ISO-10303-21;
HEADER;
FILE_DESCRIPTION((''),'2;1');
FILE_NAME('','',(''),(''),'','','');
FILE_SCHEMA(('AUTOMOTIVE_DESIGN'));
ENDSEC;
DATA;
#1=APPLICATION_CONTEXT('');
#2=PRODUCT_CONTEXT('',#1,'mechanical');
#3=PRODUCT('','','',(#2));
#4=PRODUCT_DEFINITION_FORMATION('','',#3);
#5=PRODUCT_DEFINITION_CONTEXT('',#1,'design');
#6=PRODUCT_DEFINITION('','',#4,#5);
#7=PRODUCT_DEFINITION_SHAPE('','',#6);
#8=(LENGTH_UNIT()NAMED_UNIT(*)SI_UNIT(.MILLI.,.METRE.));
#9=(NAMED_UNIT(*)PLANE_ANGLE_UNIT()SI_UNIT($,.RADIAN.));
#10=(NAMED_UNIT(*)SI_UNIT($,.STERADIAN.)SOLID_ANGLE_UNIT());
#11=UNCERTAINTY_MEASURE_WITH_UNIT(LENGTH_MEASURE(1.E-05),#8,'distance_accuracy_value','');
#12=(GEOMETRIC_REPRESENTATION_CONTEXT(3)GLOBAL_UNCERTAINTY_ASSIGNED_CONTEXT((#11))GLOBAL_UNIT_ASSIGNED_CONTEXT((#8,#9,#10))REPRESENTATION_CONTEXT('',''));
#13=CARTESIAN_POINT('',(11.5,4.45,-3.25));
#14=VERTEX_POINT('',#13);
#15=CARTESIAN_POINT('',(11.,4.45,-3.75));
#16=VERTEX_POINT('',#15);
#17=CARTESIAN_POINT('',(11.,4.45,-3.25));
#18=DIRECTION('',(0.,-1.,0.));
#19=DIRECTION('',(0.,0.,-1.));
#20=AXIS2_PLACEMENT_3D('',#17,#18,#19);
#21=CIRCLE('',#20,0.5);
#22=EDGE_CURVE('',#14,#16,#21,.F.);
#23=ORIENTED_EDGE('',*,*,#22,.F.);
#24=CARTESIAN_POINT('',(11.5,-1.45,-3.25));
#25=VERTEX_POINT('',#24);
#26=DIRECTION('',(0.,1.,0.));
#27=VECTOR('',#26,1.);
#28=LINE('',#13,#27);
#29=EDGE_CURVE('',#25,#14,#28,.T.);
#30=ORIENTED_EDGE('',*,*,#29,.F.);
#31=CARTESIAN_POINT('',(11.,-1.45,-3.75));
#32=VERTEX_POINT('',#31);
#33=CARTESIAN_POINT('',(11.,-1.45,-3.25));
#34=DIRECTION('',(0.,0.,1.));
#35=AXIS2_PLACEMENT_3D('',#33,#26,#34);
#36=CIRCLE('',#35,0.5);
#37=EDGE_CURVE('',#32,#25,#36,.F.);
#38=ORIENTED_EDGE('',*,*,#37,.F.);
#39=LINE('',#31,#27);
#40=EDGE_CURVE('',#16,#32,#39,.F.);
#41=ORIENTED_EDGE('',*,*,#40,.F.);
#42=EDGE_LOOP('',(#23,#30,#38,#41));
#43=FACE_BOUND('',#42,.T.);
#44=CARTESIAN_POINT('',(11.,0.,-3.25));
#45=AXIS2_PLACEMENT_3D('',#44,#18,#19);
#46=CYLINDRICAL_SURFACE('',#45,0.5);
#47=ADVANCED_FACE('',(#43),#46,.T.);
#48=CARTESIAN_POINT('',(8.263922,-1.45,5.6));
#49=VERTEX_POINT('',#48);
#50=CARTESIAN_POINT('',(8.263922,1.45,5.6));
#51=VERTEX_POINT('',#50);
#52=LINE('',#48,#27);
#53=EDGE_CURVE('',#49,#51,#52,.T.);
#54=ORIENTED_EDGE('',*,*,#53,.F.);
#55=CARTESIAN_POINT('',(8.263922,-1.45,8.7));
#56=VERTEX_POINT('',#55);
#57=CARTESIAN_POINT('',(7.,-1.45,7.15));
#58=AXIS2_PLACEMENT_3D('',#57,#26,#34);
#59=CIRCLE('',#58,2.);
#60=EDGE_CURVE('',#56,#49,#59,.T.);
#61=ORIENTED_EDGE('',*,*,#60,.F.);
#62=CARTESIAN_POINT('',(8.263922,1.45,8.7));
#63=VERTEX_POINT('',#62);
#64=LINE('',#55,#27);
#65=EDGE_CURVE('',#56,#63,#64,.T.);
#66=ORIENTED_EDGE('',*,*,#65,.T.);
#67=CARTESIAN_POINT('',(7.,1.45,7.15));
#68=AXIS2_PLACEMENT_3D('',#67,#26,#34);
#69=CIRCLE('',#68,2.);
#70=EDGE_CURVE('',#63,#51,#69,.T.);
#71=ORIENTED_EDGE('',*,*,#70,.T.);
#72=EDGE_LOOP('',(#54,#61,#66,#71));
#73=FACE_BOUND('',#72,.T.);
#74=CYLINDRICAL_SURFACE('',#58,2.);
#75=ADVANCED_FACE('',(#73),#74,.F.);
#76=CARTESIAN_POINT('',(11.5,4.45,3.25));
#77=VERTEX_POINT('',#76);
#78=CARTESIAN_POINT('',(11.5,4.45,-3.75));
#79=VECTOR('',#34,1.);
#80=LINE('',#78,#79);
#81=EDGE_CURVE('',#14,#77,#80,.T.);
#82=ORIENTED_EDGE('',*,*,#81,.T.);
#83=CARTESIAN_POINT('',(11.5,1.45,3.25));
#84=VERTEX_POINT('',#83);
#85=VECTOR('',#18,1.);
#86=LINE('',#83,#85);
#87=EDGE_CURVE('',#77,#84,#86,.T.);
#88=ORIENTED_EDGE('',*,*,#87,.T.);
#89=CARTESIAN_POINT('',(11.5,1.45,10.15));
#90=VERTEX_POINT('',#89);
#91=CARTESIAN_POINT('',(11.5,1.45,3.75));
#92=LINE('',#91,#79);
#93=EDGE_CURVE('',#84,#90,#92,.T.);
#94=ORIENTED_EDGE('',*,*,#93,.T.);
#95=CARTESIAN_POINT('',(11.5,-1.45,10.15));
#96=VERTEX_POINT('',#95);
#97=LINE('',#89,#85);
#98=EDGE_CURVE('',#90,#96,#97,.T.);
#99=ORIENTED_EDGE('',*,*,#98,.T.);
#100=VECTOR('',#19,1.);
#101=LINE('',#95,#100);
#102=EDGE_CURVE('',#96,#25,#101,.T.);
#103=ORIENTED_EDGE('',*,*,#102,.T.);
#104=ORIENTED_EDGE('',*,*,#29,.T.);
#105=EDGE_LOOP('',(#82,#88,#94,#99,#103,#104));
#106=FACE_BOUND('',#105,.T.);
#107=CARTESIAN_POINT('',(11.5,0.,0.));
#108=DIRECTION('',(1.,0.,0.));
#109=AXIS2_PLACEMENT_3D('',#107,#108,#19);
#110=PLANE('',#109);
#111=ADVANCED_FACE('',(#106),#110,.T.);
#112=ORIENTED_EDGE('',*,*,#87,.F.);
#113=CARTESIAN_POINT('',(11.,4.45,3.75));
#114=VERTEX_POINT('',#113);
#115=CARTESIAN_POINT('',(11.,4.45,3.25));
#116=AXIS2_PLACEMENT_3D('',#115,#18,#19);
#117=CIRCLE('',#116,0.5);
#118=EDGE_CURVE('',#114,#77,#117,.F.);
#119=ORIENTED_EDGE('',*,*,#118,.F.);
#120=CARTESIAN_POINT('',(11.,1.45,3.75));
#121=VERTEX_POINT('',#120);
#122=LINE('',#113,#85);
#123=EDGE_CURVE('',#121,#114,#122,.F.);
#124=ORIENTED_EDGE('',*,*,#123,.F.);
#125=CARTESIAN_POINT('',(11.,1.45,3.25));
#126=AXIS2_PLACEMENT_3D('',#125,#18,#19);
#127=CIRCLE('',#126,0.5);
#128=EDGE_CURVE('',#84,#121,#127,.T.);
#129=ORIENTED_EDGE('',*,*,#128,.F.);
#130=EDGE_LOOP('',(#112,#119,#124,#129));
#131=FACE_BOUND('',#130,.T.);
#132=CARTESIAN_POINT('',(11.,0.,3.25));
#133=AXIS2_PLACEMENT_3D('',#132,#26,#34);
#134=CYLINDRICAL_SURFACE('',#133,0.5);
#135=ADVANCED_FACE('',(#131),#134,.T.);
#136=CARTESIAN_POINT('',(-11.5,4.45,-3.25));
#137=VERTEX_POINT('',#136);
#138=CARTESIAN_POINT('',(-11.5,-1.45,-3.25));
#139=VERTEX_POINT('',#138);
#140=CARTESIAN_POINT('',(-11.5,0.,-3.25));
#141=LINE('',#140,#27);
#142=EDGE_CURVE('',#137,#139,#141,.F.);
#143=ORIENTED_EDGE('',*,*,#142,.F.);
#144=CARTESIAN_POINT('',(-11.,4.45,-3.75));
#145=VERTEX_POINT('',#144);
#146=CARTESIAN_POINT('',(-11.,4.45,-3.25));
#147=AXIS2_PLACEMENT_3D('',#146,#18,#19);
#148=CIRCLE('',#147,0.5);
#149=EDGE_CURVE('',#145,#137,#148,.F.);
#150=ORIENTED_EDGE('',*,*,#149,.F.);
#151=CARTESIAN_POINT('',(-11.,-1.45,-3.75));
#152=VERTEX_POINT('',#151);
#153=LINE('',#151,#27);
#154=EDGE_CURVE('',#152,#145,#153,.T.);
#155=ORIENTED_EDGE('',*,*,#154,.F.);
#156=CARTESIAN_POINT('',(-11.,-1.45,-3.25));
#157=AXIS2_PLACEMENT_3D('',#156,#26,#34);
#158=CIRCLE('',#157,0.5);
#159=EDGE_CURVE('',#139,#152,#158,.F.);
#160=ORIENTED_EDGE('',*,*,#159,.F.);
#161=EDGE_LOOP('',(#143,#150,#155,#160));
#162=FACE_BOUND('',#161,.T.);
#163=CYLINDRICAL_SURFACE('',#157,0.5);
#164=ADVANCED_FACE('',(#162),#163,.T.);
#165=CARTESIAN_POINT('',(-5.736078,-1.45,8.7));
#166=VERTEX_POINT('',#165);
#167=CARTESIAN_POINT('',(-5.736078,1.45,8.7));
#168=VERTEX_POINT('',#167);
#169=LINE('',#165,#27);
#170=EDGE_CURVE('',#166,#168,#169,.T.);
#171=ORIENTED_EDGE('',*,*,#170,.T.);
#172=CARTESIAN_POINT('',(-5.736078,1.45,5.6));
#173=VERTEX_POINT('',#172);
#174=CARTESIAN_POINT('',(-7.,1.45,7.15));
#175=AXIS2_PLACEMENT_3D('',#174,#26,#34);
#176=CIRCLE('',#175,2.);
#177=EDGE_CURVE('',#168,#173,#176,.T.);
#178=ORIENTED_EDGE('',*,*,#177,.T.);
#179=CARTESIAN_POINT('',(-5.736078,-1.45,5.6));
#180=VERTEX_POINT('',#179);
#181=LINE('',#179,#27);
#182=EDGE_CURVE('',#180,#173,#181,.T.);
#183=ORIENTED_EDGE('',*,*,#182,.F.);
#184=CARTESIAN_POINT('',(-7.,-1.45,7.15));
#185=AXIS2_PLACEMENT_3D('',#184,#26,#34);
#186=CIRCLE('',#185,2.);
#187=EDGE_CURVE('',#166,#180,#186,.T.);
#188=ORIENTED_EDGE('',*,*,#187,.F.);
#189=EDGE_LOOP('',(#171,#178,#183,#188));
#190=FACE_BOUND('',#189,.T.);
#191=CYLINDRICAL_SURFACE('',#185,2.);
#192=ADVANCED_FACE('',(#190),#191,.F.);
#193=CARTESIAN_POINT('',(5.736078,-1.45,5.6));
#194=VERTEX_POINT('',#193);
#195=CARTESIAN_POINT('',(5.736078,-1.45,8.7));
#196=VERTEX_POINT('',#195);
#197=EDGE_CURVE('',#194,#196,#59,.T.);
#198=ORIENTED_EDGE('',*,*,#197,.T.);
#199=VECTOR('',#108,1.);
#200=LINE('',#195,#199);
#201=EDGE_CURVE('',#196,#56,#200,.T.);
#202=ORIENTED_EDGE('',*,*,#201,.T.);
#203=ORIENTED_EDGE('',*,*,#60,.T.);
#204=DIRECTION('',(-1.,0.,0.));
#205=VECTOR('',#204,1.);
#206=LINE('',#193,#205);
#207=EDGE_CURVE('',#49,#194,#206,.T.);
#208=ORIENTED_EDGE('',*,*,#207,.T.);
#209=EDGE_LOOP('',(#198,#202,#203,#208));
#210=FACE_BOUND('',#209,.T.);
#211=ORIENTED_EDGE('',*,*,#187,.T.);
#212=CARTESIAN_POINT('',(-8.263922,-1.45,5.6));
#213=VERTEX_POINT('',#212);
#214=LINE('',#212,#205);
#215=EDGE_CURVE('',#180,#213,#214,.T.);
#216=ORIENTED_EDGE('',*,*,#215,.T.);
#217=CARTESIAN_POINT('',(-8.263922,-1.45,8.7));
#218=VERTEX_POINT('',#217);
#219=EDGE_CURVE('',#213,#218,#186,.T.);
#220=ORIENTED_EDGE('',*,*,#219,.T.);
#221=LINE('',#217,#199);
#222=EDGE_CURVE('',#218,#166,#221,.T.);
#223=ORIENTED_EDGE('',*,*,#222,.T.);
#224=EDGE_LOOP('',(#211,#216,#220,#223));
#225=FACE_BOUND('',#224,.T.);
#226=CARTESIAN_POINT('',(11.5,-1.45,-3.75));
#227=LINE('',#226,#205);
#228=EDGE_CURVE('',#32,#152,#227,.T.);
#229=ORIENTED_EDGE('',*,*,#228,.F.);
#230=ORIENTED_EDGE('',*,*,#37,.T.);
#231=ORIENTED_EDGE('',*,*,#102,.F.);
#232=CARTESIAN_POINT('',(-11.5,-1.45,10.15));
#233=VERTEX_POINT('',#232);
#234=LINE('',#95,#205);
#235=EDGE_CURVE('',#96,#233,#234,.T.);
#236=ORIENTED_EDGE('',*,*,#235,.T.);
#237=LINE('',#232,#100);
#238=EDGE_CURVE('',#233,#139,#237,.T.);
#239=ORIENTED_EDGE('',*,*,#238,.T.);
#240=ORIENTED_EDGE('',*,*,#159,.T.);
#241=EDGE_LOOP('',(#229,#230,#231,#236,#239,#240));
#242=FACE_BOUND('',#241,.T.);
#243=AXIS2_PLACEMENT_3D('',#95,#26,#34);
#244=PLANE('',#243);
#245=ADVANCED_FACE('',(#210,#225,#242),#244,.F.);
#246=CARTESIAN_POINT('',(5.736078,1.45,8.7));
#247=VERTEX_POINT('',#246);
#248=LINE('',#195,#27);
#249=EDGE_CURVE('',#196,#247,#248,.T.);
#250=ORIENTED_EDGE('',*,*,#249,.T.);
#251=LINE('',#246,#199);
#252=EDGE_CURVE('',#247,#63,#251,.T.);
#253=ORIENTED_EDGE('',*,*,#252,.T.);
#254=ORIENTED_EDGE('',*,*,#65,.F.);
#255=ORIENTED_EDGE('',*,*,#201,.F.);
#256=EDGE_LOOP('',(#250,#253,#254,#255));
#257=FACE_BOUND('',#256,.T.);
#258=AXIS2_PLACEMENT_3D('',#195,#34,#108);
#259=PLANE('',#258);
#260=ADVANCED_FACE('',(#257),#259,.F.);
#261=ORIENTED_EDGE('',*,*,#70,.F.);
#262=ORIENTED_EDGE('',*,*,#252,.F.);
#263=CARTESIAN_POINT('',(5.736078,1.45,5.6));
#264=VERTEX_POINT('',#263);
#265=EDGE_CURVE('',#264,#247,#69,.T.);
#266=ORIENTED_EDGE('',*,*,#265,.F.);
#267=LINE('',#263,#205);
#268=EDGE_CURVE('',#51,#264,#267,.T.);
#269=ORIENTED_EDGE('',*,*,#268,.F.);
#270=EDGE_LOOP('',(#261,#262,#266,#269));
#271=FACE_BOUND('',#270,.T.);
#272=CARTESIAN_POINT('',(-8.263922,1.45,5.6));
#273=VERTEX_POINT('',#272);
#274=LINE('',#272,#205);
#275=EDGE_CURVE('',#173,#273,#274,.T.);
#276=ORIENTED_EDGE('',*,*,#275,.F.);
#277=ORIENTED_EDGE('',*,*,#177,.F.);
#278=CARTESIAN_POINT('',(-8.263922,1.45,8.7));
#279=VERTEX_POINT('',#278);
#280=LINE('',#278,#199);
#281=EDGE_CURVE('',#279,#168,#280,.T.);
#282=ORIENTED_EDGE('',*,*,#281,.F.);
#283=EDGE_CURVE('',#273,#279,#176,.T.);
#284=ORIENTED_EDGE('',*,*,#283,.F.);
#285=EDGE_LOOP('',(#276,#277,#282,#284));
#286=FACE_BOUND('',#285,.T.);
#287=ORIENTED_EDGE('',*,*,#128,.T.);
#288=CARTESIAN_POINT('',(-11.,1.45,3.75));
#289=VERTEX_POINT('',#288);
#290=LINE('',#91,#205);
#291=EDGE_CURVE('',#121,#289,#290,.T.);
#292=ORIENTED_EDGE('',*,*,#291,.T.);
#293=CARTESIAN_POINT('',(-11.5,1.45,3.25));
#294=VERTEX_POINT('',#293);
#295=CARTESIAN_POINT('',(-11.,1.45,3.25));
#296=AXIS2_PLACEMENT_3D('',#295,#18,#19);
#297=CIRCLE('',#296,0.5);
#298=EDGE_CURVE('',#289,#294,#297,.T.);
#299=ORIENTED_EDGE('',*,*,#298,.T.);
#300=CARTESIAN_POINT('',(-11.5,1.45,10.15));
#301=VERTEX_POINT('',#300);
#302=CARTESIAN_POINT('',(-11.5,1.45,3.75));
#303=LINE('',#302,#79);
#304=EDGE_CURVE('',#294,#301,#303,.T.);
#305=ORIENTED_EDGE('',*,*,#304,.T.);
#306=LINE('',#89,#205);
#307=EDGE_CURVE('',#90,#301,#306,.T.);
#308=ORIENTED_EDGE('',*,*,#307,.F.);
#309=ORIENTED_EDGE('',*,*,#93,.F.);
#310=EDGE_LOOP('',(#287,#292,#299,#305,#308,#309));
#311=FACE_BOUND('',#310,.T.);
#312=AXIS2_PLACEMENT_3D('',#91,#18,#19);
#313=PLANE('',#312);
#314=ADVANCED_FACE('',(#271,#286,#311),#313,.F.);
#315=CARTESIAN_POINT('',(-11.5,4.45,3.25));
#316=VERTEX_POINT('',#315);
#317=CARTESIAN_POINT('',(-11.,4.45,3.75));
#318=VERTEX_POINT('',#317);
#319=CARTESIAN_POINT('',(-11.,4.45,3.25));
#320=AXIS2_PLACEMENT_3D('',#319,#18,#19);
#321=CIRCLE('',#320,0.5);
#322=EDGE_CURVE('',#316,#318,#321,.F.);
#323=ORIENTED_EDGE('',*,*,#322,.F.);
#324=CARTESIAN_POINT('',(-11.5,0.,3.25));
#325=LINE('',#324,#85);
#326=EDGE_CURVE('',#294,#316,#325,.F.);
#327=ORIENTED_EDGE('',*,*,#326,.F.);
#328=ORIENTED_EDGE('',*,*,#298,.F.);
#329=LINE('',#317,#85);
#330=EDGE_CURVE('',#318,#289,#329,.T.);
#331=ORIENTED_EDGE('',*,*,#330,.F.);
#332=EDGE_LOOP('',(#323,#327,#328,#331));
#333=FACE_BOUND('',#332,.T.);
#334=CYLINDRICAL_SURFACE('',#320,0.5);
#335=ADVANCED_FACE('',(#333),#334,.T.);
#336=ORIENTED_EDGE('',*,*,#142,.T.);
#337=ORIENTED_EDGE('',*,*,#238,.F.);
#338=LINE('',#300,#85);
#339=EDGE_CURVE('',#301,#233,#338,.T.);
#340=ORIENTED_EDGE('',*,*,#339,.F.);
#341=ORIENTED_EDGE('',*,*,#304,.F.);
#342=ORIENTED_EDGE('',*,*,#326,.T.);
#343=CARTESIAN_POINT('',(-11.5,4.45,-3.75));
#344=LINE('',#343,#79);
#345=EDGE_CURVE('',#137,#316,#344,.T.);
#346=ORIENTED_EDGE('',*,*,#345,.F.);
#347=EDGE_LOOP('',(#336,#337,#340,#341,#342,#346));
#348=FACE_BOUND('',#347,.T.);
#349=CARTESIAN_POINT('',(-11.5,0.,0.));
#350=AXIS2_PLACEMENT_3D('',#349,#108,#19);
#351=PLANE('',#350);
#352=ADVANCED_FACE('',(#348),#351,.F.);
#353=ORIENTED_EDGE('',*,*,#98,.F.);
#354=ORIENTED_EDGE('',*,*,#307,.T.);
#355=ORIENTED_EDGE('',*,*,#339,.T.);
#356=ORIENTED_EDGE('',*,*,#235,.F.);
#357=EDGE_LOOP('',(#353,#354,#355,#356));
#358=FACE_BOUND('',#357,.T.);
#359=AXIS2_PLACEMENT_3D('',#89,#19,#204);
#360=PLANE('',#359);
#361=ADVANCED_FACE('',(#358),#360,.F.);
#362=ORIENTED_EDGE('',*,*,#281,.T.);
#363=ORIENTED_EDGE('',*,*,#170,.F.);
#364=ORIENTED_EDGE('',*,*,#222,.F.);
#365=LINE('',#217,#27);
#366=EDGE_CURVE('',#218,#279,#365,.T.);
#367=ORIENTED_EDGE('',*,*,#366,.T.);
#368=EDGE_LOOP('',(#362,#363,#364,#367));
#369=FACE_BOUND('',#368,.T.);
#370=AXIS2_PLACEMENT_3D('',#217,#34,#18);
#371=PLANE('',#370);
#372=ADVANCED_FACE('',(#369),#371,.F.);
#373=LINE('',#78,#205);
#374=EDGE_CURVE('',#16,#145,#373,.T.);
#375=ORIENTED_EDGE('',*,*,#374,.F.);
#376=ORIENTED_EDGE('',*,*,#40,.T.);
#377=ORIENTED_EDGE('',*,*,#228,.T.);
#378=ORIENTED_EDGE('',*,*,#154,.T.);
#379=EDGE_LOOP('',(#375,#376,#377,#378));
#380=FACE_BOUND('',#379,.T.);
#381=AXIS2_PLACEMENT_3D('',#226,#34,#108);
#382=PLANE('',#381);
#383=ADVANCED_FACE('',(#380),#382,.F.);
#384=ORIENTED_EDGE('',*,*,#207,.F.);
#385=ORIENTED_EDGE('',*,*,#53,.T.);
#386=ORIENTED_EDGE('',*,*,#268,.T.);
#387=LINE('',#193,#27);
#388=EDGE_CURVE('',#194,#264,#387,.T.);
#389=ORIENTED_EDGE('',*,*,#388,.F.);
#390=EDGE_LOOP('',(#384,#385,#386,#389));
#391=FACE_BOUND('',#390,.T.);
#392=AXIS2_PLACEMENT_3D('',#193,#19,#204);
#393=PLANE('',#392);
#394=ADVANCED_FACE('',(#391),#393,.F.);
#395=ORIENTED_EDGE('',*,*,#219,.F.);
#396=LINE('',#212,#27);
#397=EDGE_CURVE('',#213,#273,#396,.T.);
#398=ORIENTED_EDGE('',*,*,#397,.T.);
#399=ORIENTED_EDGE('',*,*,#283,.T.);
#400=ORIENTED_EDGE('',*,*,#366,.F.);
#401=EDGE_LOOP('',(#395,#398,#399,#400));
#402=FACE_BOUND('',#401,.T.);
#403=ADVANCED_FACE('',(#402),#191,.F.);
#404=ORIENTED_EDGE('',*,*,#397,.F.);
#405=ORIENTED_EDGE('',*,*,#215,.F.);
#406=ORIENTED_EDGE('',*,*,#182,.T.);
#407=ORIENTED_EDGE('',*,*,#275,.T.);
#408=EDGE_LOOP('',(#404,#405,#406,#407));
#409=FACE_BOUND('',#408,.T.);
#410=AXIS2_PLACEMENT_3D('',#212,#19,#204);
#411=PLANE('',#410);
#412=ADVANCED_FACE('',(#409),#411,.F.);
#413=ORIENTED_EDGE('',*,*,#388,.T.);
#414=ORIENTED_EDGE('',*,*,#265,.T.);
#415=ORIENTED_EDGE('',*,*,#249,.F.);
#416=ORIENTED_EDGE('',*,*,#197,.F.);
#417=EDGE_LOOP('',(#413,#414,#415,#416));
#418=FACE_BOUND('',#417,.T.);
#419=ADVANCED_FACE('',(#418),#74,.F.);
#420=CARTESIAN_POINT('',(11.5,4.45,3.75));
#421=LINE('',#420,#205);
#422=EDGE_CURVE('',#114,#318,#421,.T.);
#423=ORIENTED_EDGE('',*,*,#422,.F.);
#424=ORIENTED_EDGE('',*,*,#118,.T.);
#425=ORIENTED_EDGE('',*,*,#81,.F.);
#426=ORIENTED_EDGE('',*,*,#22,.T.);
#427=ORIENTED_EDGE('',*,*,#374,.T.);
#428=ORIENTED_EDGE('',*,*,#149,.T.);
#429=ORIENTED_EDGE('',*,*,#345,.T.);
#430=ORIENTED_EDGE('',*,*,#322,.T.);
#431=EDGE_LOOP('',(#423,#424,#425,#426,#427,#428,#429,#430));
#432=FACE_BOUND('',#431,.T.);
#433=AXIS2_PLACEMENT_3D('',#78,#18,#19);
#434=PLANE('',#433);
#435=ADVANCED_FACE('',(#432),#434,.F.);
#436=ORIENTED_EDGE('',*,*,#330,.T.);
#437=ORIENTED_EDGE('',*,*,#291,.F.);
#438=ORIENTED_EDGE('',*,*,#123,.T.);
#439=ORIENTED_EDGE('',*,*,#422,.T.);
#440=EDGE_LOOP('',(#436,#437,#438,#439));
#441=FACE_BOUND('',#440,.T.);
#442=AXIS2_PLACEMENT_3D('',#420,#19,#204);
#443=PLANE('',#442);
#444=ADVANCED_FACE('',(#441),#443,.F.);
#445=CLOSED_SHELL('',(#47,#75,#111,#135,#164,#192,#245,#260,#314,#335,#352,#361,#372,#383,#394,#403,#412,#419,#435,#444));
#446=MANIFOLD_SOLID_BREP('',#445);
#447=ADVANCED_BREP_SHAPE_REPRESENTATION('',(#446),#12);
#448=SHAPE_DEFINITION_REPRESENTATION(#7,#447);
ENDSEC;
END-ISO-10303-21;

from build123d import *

# Parameters (mm, degrees)
BOSS_EXTRUDE1_DEPTH = 11.5
CUT_EXTRUDE1_DEPTH  = 16.62921943
FILLET1_R           = 0.5


with BuildPart() as part:
    # Sketch1 → Boss-Extrude1 (new, symmetric)
    with BuildSketch(Plane(origin=(0, 0, 0), x_dir=(0, 0, -1), z_dir=(1, 0, 0))):
        Polygon((-10.15, -1.45), (3.75, -1.45), (3.75, 4.45), (-3.75, 4.45), (-3.75, 1.45), (-10.15, 1.45), align=None)
    extrude(amount=BOSS_EXTRUDE1_DEPTH, both=True)

    # Sketch2 → Cut-Extrude1 (cut, through all)
    with BuildSketch(Plane(origin=(0, 1.45, 0), x_dir=(1, 0, 0), z_dir=(0, 1, 0))):
        with BuildLine():
            Line((-8.263922466, -5.6), (-5.736077534, -5.6))
            ThreePointArc((-5.736077534, -5.6), (-5, -7.15), (-5.736077534, -8.7))
            Line((-5.736077534, -8.7), (-8.263922466, -8.7))
            ThreePointArc((-8.263922466, -8.7), (-9, -7.15), (-8.263922466, -5.6))
        make_face()
        with BuildLine():
            Line((5.736077534, -5.6), (8.263922466, -5.6))
            ThreePointArc((8.263922466, -5.6), (9, -7.15), (8.263922466, -8.7))
            Line((8.263922466, -8.7), (5.736077534, -8.7))
            ThreePointArc((5.736077534, -8.7), (5, -7.15), (5.736077534, -5.6))
        make_face()
    extrude(amount=-CUT_EXTRUDE1_DEPTH, mode=Mode.SUBTRACT)

    # Fillet1
    fillet1_edges = [part.edges().sort_by_distance(p)[0] for p in [
        (11.5, 1.5, -3.75),
        (11.5, 2.95, 3.75),
        (-11.5, 2.95, 3.75),
        (-11.5, 1.5, -3.75),
    ]]
    fillet(fillet1_edges, radius=FILLET1_R)


solid = part.part
